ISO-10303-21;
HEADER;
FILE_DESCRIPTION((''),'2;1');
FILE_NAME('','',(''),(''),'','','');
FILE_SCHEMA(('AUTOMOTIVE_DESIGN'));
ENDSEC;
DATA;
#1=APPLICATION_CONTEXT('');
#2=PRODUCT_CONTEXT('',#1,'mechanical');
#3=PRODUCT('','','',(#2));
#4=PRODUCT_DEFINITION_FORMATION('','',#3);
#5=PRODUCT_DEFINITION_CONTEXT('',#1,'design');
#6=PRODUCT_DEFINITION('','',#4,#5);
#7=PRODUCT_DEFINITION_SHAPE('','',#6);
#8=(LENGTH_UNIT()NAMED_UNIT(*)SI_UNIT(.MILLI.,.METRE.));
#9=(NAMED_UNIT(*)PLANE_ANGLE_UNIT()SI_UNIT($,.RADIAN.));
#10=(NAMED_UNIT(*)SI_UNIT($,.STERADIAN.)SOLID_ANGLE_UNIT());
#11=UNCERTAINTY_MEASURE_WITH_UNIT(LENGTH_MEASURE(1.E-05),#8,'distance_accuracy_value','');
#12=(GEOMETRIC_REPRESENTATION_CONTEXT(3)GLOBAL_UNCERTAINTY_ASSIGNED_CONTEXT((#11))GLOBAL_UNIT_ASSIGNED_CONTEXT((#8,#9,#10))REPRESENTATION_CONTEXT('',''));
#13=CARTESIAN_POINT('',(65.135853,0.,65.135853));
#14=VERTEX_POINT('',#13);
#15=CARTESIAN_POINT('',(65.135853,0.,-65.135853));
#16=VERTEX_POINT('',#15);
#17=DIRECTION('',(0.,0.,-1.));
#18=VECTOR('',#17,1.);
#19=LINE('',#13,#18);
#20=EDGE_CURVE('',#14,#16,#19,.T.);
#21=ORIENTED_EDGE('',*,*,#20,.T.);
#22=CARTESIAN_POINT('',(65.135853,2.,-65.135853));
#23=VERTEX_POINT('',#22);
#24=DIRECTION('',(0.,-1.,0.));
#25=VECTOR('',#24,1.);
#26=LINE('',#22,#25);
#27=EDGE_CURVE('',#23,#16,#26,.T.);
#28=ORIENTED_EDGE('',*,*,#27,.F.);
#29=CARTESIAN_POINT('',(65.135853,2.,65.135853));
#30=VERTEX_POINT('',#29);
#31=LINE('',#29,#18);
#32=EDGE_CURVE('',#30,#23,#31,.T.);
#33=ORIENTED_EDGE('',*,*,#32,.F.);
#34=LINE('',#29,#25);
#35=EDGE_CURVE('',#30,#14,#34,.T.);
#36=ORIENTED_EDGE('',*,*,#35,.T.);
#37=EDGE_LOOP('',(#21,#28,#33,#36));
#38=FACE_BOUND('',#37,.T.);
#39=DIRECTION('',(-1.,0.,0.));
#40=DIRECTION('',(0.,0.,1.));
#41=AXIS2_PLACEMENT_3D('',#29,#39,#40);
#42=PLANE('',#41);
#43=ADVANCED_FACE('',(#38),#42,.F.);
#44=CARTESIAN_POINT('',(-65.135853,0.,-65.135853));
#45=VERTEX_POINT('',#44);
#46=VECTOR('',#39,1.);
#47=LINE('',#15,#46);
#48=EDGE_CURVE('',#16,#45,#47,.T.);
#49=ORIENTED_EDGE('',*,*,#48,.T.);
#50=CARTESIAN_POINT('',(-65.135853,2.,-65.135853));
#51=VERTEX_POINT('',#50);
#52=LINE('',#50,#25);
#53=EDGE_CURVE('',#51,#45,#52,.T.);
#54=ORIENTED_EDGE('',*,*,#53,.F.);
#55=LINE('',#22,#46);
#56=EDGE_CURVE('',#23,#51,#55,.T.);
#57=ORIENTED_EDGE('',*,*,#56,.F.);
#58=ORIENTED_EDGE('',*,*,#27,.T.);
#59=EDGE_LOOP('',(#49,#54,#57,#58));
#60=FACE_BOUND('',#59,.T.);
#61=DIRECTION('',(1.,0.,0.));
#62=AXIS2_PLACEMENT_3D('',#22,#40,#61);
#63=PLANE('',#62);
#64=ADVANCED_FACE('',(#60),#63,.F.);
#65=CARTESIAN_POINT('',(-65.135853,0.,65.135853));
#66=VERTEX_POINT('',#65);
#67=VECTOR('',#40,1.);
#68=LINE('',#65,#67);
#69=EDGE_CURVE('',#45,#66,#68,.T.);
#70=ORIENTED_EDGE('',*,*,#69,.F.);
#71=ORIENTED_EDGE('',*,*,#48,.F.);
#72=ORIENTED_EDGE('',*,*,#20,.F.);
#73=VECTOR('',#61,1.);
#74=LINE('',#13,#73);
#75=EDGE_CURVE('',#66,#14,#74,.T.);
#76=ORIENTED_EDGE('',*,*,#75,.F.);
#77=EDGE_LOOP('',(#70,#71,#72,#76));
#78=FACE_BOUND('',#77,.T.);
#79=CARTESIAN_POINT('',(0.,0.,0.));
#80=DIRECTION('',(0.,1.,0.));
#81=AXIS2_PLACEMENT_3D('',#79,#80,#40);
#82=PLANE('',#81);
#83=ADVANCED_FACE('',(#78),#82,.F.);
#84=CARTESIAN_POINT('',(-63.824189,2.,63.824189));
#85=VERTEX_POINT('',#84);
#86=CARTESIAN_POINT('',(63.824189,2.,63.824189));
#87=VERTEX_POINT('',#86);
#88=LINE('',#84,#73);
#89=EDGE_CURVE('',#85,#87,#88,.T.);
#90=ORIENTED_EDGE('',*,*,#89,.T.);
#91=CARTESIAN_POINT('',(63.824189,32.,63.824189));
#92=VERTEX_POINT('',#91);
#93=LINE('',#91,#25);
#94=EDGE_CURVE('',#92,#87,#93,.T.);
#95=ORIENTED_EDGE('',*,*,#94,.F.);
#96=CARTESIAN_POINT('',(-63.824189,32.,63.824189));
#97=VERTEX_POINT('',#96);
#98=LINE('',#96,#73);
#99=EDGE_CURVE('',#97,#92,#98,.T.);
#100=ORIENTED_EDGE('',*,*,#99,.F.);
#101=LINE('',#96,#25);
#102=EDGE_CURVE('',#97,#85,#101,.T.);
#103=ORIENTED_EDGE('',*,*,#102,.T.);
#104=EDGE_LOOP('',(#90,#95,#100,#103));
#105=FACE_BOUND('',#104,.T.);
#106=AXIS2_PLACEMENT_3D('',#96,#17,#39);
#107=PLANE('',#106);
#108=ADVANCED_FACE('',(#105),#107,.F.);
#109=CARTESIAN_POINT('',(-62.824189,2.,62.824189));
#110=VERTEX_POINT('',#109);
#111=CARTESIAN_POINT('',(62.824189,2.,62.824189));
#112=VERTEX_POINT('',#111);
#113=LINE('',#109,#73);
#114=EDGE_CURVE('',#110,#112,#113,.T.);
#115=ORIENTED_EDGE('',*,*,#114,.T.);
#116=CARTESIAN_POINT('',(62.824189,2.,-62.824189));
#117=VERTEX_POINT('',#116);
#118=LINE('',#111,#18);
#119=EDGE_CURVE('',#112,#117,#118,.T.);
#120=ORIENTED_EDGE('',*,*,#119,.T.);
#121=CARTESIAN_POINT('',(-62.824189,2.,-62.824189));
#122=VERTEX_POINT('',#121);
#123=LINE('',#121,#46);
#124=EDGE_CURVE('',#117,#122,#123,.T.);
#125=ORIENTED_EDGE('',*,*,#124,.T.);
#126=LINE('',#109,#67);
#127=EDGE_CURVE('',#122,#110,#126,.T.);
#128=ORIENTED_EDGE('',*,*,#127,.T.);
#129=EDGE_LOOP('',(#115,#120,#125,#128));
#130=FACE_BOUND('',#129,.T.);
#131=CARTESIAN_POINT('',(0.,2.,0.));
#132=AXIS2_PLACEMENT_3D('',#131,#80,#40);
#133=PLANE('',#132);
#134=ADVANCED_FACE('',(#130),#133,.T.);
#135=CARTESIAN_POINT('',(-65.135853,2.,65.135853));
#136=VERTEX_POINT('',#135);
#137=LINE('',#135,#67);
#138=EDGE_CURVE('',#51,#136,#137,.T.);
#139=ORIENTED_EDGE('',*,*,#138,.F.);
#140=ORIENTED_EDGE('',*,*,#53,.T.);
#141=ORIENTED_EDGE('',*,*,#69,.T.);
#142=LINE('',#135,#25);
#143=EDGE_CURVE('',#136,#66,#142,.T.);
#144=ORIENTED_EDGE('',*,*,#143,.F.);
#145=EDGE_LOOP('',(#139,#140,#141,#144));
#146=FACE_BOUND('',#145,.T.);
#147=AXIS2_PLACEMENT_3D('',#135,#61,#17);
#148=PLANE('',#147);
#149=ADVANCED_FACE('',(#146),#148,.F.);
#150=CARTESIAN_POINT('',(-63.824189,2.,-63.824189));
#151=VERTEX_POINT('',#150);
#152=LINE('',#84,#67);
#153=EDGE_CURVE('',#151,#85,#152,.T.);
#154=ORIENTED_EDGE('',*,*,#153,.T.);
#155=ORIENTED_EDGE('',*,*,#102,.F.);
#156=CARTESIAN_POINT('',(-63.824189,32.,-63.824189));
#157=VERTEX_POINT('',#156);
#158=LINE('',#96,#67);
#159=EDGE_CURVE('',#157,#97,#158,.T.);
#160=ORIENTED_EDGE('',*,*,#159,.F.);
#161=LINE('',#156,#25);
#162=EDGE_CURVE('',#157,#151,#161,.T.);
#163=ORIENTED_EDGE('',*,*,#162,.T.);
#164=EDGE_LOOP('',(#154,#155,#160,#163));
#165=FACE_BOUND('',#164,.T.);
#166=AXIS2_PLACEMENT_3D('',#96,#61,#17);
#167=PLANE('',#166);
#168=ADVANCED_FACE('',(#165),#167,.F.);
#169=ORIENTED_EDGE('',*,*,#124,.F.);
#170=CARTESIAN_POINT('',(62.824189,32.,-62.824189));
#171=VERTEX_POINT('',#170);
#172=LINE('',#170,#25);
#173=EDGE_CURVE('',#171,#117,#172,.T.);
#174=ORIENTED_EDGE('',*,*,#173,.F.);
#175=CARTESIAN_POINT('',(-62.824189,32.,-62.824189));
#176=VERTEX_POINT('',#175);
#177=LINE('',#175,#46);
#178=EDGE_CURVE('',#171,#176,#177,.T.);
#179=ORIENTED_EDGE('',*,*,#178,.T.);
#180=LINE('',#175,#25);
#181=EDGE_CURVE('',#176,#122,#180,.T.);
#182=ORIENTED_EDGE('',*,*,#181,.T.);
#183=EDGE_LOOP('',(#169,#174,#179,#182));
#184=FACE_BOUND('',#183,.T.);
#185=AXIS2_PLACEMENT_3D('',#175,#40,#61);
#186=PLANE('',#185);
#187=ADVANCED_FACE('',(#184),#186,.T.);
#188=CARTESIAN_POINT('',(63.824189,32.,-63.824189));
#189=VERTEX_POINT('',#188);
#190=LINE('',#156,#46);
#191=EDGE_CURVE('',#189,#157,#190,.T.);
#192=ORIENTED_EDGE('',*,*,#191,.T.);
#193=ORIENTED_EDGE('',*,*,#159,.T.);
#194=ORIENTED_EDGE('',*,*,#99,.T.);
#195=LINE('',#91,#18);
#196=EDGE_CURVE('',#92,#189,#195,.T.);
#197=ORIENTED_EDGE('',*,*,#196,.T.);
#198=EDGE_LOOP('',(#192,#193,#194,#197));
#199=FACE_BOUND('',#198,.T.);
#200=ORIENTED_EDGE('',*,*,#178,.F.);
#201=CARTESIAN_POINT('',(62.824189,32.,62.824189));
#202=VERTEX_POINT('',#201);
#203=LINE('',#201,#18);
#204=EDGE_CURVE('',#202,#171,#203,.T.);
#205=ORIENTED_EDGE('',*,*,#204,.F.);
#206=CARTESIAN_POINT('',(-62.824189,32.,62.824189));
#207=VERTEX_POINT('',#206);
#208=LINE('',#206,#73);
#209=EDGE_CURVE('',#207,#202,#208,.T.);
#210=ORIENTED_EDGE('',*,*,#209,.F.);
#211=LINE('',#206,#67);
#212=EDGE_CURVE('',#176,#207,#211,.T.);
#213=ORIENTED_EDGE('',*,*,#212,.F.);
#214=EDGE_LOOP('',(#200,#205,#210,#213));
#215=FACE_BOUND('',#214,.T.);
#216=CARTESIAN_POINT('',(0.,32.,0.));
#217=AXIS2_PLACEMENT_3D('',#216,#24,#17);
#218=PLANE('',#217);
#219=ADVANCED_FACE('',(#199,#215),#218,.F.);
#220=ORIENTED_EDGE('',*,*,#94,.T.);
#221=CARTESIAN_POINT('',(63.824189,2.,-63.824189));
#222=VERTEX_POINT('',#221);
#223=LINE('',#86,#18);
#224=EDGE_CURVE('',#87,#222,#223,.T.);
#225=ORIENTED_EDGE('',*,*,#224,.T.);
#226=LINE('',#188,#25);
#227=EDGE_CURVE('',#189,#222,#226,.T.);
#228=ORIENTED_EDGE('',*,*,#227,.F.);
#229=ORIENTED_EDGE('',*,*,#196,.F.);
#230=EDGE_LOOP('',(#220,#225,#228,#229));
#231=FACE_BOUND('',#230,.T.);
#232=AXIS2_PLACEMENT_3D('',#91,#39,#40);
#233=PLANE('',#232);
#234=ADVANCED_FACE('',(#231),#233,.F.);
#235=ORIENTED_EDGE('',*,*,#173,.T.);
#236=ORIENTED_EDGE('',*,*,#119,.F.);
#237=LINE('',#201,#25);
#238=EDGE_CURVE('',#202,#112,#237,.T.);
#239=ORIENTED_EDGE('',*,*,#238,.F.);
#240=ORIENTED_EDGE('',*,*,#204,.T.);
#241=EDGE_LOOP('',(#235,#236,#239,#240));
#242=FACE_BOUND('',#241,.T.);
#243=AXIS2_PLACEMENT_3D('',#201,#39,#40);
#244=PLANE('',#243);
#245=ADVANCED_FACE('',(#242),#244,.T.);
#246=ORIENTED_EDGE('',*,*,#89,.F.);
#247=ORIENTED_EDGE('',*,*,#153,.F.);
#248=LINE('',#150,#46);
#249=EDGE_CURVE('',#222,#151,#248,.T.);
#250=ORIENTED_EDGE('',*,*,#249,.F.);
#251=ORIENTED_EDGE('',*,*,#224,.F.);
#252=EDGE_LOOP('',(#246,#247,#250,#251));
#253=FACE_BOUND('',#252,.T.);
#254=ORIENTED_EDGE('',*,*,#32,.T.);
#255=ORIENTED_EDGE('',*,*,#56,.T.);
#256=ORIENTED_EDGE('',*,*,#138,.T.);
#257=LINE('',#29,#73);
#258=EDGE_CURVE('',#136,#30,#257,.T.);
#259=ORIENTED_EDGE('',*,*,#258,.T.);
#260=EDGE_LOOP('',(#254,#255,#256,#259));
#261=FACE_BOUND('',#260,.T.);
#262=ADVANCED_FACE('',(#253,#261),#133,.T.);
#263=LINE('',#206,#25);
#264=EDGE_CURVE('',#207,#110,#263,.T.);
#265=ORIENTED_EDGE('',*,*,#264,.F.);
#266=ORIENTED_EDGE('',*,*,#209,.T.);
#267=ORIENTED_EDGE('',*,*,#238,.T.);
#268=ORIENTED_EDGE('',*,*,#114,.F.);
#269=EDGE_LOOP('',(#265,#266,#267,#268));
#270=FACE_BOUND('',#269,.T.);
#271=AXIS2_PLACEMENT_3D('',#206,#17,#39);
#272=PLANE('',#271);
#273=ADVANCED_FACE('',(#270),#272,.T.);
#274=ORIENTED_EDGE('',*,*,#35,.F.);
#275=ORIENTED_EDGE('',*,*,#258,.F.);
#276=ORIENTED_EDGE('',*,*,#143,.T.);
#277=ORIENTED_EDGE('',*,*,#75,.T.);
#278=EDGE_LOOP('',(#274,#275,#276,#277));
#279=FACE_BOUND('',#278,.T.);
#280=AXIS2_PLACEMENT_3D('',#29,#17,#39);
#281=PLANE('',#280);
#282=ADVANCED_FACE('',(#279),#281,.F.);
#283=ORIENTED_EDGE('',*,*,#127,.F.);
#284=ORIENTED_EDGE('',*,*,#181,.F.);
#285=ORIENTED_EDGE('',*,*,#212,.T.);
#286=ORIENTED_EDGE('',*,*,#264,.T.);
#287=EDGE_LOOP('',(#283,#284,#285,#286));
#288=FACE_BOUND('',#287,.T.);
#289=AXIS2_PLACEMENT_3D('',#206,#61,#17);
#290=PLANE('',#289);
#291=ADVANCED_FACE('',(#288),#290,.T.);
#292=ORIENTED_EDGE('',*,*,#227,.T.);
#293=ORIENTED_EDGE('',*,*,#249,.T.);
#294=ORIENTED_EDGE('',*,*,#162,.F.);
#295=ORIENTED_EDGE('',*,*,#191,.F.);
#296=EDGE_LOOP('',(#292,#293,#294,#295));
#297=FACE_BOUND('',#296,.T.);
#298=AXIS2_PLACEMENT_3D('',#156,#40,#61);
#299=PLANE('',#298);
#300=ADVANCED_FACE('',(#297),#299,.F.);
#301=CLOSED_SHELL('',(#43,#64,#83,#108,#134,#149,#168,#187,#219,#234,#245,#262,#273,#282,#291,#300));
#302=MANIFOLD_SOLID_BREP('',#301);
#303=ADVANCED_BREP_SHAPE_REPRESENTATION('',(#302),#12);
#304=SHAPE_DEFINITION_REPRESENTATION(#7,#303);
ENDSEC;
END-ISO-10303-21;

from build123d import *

# Parameters (mm, degrees)
SKETCH_2_W      = 130.27170599
SKETCH_2_H      = 130.27170599
EXTRUDE_1_DEPTH = 2
SKETCH_3_W      = 127.648377196
SKETCH_3_H      = 127.648377196
SKETCH_3_W_2    = 125.648377196
SKETCH_3_H_2    = 125.648377196
EXTRUDE_2_DEPTH = 30


with BuildPart() as part:
    # 草图2 → 凸台-拉伸1 (new body)
    with BuildSketch(Plane(origin=(0, 0, 0), x_dir=(1, 0, 0), z_dir=(0, 1, 0))):
        Rectangle(SKETCH_2_W, SKETCH_2_H)
    extrude(amount=EXTRUDE_1_DEPTH)

    # 草图3 → 凸台-拉伸2 (add)
    with BuildSketch(Plane(origin=(0, 2, 0), x_dir=(1, 0, 0), z_dir=(0, 1, 0))):
        Rectangle(SKETCH_3_W, SKETCH_3_H)
        Rectangle(SKETCH_3_W_2, SKETCH_3_H_2, mode=Mode.SUBTRACT)
    extrude(amount=EXTRUDE_2_DEPTH)


solid = part.part
